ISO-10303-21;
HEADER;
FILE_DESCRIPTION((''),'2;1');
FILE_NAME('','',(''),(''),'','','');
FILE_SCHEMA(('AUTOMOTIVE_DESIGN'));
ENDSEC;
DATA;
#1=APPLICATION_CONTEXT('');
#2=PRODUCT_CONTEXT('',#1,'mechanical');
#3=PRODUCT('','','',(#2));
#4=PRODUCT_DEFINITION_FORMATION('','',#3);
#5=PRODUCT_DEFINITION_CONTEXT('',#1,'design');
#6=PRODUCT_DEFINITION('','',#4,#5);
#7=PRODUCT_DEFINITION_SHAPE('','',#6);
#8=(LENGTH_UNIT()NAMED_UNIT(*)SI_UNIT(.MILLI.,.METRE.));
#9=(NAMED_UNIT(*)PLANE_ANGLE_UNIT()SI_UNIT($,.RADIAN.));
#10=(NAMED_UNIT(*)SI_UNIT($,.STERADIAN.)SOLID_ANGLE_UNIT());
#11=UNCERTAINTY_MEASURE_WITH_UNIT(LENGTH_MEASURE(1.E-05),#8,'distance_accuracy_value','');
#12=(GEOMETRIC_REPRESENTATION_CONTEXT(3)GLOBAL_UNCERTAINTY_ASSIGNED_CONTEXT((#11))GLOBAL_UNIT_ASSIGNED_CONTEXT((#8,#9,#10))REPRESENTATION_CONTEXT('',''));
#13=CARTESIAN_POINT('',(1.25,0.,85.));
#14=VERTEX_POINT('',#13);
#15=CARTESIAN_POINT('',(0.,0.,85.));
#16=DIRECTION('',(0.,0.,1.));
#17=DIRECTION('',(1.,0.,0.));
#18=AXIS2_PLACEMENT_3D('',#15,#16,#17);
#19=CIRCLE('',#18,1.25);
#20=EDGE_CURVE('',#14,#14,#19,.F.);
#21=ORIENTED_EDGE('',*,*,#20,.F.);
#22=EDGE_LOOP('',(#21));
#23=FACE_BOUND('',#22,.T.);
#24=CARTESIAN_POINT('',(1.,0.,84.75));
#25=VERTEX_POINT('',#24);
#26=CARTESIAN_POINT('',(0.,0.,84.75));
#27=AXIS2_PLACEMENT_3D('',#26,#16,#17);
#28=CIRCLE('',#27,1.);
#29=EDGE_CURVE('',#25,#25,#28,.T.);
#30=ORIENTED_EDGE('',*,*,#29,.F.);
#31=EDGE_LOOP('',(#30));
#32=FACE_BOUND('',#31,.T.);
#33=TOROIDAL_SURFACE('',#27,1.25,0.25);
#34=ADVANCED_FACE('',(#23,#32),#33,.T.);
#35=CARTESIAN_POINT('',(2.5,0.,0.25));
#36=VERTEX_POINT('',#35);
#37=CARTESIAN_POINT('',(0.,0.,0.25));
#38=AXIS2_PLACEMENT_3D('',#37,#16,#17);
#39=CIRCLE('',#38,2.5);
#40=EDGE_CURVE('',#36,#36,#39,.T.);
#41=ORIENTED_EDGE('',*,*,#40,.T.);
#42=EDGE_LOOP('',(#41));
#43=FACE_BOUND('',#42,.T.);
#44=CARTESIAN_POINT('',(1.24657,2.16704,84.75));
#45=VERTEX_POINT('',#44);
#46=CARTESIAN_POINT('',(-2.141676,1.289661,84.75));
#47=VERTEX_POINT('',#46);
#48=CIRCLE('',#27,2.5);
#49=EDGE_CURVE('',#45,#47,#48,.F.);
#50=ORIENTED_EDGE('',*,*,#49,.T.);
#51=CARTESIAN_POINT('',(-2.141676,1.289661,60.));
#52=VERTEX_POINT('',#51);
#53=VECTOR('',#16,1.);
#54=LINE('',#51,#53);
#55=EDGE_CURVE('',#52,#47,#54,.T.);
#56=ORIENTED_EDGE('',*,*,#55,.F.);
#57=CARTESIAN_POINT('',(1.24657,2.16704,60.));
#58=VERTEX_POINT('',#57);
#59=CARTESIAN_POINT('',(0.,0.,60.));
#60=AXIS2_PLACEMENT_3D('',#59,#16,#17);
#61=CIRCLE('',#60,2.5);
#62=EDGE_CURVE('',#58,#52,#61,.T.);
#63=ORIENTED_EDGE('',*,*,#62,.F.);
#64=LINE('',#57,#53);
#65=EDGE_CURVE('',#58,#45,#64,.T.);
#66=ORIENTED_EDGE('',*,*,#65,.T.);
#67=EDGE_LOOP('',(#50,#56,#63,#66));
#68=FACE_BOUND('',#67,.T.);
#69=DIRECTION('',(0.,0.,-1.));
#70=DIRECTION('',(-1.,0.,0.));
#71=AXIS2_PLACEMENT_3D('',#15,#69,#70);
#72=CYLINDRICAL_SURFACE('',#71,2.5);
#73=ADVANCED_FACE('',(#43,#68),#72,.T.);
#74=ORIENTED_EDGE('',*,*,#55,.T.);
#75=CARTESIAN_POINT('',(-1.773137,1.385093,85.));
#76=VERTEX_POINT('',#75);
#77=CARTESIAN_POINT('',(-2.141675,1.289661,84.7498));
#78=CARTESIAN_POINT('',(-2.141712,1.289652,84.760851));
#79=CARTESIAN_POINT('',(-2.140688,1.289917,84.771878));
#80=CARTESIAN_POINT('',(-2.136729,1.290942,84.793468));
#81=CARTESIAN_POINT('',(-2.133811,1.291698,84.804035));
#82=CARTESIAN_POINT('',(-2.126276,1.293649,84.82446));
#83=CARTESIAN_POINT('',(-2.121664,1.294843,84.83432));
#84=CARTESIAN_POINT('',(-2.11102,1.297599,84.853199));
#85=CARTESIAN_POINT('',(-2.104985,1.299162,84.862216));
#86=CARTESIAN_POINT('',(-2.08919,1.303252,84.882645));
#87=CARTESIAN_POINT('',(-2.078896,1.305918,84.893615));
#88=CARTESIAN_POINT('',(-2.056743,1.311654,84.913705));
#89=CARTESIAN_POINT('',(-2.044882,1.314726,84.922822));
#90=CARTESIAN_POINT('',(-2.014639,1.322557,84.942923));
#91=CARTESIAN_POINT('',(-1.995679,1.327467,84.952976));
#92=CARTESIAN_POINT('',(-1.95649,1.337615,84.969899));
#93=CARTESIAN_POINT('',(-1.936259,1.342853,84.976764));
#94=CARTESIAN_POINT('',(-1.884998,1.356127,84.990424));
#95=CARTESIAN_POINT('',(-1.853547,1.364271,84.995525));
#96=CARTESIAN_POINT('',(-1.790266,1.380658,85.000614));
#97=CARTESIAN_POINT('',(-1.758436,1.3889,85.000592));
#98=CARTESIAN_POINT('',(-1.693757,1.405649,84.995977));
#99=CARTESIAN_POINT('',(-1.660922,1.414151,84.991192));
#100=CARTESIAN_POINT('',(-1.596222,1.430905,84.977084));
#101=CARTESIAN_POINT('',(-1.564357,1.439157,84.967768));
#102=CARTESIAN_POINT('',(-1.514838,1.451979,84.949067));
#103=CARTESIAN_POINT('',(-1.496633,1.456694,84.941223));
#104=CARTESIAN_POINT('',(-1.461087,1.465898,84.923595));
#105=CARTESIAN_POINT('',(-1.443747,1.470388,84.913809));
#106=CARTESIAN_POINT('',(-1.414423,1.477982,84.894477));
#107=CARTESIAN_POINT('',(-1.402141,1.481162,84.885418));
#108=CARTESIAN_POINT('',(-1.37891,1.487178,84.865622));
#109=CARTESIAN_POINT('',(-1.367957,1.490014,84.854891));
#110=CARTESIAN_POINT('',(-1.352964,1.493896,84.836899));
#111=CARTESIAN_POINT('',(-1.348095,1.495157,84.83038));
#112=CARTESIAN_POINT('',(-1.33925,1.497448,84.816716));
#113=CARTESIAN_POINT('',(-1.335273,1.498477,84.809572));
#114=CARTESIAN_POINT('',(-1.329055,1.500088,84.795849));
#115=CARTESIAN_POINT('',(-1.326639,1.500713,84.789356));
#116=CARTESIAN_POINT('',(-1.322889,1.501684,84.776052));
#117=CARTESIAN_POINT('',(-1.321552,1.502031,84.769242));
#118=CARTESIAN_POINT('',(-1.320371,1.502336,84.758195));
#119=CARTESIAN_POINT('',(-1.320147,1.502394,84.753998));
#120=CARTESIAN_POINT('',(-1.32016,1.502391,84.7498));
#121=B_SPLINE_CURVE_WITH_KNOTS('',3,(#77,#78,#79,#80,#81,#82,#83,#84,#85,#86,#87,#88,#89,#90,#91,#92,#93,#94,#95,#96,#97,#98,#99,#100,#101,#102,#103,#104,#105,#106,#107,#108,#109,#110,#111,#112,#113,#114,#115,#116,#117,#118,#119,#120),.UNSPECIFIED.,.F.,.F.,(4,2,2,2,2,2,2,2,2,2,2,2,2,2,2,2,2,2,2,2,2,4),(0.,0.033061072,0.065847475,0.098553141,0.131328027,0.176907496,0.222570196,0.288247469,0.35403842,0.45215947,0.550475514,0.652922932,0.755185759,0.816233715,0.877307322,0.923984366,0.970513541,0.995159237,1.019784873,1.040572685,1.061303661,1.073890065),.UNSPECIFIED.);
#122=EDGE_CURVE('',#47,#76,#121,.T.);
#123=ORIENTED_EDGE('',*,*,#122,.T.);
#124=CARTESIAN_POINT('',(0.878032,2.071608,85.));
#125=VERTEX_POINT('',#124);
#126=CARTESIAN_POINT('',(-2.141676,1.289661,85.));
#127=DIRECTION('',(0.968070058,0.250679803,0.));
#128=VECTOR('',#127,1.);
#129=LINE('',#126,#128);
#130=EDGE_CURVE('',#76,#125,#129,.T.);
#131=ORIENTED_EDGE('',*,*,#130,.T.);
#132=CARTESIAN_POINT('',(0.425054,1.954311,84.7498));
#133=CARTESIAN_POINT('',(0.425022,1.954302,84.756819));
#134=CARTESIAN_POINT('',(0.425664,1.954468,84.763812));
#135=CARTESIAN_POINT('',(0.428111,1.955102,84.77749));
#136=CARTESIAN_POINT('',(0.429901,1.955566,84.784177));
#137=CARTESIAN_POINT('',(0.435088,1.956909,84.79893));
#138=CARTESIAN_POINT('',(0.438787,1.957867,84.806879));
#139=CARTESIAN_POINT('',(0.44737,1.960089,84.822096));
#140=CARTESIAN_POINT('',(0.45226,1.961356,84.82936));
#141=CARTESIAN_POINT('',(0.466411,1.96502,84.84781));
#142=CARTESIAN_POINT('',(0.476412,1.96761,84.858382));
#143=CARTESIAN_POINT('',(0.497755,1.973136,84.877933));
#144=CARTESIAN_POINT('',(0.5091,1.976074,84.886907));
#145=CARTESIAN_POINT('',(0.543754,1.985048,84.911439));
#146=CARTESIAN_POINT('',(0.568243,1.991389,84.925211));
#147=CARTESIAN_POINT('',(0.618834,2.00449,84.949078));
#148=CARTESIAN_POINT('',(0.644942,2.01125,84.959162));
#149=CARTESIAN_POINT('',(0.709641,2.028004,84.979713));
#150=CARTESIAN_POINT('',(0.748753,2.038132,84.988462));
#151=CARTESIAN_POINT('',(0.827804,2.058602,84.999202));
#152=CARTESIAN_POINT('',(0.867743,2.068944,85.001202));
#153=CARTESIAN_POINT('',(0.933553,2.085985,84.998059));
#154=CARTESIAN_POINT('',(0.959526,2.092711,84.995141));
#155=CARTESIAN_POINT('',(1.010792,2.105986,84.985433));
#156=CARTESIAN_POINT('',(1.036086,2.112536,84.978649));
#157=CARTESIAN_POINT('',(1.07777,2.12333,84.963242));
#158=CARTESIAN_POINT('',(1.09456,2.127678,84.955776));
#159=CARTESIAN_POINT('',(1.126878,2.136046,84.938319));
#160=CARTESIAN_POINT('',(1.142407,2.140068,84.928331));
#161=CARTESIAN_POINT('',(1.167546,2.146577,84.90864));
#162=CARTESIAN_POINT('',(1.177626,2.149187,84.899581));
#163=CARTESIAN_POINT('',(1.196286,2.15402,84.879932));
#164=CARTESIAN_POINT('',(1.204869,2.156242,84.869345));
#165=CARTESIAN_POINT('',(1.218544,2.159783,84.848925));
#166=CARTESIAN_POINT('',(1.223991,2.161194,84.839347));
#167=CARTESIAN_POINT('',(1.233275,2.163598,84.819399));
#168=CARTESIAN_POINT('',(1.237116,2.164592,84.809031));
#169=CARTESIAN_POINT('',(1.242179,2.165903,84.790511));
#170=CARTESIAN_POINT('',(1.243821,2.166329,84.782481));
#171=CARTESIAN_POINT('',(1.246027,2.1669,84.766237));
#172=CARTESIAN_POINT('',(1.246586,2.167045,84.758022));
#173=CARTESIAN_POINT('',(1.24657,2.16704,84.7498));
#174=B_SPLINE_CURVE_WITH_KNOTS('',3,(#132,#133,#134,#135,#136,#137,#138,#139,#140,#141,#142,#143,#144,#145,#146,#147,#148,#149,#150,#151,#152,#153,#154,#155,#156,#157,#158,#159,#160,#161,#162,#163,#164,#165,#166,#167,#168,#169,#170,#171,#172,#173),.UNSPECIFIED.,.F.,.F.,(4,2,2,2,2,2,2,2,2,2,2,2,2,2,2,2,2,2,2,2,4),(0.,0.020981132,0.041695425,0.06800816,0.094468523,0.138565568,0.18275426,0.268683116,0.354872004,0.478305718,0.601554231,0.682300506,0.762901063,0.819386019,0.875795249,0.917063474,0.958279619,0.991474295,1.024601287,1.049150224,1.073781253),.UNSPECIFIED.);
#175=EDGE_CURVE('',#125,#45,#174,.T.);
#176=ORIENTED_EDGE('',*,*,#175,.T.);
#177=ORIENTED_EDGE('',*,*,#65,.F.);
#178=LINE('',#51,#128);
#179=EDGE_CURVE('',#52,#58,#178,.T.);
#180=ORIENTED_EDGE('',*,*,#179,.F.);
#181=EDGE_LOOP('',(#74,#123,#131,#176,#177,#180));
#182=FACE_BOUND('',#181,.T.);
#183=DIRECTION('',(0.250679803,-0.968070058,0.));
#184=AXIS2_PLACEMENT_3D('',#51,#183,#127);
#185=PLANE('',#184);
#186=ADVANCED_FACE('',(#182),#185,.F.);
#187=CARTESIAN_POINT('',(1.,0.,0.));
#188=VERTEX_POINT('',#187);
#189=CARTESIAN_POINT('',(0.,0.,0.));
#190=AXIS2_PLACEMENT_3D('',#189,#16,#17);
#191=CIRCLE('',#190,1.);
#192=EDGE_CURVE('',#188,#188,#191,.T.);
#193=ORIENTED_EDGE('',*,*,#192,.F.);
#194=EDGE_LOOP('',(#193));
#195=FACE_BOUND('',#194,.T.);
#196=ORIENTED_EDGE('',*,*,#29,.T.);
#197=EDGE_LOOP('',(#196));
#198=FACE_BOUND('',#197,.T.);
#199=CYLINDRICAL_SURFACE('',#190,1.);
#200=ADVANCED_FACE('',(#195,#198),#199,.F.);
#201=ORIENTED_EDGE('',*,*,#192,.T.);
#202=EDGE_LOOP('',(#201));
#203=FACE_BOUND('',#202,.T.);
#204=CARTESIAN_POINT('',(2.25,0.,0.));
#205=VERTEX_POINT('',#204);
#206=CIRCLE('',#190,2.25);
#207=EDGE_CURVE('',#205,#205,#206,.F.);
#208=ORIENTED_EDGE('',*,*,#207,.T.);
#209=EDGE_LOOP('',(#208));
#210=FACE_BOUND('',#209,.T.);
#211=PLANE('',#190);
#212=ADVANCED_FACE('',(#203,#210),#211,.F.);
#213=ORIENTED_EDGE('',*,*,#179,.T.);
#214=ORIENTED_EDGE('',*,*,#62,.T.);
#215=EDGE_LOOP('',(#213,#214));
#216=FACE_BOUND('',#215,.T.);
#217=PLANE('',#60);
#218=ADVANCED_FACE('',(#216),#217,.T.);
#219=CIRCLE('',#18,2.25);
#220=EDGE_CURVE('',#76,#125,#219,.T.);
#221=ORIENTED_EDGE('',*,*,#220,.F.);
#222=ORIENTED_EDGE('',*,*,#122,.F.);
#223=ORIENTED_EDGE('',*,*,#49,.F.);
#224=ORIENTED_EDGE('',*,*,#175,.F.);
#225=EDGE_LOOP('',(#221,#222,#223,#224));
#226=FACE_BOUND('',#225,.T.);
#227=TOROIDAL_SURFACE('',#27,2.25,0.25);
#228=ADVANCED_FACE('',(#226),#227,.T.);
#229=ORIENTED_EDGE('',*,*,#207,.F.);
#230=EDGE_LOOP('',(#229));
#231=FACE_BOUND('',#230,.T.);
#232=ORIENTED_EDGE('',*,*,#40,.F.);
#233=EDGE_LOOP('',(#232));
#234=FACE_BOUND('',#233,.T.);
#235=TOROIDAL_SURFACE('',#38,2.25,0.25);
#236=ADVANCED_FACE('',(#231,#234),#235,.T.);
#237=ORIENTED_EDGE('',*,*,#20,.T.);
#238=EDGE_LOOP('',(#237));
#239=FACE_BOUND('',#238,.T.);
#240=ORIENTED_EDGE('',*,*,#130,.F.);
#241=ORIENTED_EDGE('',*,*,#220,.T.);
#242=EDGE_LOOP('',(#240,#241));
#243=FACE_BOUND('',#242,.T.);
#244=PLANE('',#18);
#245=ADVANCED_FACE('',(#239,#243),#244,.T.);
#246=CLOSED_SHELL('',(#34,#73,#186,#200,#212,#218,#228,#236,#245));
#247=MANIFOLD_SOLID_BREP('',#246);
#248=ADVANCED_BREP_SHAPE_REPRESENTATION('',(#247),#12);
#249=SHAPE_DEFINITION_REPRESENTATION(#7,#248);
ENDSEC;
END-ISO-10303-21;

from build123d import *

# Parameters (mm, degrees)
CROQUIS1_R              = 2.5
SALIENTE_EXTRUIR1_DEPTH = 85
CROQUIS2_R              = 1
CORTAR_EXTRUIR1_DEPTH   = 86
REDONDEO1_R             = 0.25
ENL_V_MAT_EXTRU_1_DEPTH = 25


with BuildPart() as part:
    # Croquis1 → Saliente-Extruir1 (new body)
    with BuildSketch(Plane.XY):
        Circle(CROQUIS1_R)
    extrude(amount=SALIENTE_EXTRUIR1_DEPTH)

    # Croquis2 → Cortar-Extruir1 (cut, through all)
    with BuildSketch(Plane.XY.offset(85)):
        Circle(CROQUIS2_R)
    extrude(amount=-CORTAR_EXTRUIR1_DEPTH, mode=Mode.SUBTRACT)

    # Redondeo1
    redondeo1_edges = [part.edges().sort_by_distance(p)[0] for p in [
        (-2.5, 0, 0),
        (-2.5, 0, 85),
        (-1, 0, 85),
    ]]
    fillet(redondeo1_edges, radius=REDONDEO1_R)

    # Esquisse1 → Enlèv. mat.-Extru.1 (cut)
    with BuildSketch(Plane.XY.offset(85)):
        with BuildLine():
            Line((-2.141675568, 1.289661103), (1.246569633, 2.167040413))
            ThreePointArc((1.246569633, 2.167040413), (-0.626699507, 2.420175144), (-2.141675568, 1.289661103))
        make_face()
    extrude(amount=-ENL_V_MAT_EXTRU_1_DEPTH, mode=Mode.SUBTRACT)


solid = part.part
